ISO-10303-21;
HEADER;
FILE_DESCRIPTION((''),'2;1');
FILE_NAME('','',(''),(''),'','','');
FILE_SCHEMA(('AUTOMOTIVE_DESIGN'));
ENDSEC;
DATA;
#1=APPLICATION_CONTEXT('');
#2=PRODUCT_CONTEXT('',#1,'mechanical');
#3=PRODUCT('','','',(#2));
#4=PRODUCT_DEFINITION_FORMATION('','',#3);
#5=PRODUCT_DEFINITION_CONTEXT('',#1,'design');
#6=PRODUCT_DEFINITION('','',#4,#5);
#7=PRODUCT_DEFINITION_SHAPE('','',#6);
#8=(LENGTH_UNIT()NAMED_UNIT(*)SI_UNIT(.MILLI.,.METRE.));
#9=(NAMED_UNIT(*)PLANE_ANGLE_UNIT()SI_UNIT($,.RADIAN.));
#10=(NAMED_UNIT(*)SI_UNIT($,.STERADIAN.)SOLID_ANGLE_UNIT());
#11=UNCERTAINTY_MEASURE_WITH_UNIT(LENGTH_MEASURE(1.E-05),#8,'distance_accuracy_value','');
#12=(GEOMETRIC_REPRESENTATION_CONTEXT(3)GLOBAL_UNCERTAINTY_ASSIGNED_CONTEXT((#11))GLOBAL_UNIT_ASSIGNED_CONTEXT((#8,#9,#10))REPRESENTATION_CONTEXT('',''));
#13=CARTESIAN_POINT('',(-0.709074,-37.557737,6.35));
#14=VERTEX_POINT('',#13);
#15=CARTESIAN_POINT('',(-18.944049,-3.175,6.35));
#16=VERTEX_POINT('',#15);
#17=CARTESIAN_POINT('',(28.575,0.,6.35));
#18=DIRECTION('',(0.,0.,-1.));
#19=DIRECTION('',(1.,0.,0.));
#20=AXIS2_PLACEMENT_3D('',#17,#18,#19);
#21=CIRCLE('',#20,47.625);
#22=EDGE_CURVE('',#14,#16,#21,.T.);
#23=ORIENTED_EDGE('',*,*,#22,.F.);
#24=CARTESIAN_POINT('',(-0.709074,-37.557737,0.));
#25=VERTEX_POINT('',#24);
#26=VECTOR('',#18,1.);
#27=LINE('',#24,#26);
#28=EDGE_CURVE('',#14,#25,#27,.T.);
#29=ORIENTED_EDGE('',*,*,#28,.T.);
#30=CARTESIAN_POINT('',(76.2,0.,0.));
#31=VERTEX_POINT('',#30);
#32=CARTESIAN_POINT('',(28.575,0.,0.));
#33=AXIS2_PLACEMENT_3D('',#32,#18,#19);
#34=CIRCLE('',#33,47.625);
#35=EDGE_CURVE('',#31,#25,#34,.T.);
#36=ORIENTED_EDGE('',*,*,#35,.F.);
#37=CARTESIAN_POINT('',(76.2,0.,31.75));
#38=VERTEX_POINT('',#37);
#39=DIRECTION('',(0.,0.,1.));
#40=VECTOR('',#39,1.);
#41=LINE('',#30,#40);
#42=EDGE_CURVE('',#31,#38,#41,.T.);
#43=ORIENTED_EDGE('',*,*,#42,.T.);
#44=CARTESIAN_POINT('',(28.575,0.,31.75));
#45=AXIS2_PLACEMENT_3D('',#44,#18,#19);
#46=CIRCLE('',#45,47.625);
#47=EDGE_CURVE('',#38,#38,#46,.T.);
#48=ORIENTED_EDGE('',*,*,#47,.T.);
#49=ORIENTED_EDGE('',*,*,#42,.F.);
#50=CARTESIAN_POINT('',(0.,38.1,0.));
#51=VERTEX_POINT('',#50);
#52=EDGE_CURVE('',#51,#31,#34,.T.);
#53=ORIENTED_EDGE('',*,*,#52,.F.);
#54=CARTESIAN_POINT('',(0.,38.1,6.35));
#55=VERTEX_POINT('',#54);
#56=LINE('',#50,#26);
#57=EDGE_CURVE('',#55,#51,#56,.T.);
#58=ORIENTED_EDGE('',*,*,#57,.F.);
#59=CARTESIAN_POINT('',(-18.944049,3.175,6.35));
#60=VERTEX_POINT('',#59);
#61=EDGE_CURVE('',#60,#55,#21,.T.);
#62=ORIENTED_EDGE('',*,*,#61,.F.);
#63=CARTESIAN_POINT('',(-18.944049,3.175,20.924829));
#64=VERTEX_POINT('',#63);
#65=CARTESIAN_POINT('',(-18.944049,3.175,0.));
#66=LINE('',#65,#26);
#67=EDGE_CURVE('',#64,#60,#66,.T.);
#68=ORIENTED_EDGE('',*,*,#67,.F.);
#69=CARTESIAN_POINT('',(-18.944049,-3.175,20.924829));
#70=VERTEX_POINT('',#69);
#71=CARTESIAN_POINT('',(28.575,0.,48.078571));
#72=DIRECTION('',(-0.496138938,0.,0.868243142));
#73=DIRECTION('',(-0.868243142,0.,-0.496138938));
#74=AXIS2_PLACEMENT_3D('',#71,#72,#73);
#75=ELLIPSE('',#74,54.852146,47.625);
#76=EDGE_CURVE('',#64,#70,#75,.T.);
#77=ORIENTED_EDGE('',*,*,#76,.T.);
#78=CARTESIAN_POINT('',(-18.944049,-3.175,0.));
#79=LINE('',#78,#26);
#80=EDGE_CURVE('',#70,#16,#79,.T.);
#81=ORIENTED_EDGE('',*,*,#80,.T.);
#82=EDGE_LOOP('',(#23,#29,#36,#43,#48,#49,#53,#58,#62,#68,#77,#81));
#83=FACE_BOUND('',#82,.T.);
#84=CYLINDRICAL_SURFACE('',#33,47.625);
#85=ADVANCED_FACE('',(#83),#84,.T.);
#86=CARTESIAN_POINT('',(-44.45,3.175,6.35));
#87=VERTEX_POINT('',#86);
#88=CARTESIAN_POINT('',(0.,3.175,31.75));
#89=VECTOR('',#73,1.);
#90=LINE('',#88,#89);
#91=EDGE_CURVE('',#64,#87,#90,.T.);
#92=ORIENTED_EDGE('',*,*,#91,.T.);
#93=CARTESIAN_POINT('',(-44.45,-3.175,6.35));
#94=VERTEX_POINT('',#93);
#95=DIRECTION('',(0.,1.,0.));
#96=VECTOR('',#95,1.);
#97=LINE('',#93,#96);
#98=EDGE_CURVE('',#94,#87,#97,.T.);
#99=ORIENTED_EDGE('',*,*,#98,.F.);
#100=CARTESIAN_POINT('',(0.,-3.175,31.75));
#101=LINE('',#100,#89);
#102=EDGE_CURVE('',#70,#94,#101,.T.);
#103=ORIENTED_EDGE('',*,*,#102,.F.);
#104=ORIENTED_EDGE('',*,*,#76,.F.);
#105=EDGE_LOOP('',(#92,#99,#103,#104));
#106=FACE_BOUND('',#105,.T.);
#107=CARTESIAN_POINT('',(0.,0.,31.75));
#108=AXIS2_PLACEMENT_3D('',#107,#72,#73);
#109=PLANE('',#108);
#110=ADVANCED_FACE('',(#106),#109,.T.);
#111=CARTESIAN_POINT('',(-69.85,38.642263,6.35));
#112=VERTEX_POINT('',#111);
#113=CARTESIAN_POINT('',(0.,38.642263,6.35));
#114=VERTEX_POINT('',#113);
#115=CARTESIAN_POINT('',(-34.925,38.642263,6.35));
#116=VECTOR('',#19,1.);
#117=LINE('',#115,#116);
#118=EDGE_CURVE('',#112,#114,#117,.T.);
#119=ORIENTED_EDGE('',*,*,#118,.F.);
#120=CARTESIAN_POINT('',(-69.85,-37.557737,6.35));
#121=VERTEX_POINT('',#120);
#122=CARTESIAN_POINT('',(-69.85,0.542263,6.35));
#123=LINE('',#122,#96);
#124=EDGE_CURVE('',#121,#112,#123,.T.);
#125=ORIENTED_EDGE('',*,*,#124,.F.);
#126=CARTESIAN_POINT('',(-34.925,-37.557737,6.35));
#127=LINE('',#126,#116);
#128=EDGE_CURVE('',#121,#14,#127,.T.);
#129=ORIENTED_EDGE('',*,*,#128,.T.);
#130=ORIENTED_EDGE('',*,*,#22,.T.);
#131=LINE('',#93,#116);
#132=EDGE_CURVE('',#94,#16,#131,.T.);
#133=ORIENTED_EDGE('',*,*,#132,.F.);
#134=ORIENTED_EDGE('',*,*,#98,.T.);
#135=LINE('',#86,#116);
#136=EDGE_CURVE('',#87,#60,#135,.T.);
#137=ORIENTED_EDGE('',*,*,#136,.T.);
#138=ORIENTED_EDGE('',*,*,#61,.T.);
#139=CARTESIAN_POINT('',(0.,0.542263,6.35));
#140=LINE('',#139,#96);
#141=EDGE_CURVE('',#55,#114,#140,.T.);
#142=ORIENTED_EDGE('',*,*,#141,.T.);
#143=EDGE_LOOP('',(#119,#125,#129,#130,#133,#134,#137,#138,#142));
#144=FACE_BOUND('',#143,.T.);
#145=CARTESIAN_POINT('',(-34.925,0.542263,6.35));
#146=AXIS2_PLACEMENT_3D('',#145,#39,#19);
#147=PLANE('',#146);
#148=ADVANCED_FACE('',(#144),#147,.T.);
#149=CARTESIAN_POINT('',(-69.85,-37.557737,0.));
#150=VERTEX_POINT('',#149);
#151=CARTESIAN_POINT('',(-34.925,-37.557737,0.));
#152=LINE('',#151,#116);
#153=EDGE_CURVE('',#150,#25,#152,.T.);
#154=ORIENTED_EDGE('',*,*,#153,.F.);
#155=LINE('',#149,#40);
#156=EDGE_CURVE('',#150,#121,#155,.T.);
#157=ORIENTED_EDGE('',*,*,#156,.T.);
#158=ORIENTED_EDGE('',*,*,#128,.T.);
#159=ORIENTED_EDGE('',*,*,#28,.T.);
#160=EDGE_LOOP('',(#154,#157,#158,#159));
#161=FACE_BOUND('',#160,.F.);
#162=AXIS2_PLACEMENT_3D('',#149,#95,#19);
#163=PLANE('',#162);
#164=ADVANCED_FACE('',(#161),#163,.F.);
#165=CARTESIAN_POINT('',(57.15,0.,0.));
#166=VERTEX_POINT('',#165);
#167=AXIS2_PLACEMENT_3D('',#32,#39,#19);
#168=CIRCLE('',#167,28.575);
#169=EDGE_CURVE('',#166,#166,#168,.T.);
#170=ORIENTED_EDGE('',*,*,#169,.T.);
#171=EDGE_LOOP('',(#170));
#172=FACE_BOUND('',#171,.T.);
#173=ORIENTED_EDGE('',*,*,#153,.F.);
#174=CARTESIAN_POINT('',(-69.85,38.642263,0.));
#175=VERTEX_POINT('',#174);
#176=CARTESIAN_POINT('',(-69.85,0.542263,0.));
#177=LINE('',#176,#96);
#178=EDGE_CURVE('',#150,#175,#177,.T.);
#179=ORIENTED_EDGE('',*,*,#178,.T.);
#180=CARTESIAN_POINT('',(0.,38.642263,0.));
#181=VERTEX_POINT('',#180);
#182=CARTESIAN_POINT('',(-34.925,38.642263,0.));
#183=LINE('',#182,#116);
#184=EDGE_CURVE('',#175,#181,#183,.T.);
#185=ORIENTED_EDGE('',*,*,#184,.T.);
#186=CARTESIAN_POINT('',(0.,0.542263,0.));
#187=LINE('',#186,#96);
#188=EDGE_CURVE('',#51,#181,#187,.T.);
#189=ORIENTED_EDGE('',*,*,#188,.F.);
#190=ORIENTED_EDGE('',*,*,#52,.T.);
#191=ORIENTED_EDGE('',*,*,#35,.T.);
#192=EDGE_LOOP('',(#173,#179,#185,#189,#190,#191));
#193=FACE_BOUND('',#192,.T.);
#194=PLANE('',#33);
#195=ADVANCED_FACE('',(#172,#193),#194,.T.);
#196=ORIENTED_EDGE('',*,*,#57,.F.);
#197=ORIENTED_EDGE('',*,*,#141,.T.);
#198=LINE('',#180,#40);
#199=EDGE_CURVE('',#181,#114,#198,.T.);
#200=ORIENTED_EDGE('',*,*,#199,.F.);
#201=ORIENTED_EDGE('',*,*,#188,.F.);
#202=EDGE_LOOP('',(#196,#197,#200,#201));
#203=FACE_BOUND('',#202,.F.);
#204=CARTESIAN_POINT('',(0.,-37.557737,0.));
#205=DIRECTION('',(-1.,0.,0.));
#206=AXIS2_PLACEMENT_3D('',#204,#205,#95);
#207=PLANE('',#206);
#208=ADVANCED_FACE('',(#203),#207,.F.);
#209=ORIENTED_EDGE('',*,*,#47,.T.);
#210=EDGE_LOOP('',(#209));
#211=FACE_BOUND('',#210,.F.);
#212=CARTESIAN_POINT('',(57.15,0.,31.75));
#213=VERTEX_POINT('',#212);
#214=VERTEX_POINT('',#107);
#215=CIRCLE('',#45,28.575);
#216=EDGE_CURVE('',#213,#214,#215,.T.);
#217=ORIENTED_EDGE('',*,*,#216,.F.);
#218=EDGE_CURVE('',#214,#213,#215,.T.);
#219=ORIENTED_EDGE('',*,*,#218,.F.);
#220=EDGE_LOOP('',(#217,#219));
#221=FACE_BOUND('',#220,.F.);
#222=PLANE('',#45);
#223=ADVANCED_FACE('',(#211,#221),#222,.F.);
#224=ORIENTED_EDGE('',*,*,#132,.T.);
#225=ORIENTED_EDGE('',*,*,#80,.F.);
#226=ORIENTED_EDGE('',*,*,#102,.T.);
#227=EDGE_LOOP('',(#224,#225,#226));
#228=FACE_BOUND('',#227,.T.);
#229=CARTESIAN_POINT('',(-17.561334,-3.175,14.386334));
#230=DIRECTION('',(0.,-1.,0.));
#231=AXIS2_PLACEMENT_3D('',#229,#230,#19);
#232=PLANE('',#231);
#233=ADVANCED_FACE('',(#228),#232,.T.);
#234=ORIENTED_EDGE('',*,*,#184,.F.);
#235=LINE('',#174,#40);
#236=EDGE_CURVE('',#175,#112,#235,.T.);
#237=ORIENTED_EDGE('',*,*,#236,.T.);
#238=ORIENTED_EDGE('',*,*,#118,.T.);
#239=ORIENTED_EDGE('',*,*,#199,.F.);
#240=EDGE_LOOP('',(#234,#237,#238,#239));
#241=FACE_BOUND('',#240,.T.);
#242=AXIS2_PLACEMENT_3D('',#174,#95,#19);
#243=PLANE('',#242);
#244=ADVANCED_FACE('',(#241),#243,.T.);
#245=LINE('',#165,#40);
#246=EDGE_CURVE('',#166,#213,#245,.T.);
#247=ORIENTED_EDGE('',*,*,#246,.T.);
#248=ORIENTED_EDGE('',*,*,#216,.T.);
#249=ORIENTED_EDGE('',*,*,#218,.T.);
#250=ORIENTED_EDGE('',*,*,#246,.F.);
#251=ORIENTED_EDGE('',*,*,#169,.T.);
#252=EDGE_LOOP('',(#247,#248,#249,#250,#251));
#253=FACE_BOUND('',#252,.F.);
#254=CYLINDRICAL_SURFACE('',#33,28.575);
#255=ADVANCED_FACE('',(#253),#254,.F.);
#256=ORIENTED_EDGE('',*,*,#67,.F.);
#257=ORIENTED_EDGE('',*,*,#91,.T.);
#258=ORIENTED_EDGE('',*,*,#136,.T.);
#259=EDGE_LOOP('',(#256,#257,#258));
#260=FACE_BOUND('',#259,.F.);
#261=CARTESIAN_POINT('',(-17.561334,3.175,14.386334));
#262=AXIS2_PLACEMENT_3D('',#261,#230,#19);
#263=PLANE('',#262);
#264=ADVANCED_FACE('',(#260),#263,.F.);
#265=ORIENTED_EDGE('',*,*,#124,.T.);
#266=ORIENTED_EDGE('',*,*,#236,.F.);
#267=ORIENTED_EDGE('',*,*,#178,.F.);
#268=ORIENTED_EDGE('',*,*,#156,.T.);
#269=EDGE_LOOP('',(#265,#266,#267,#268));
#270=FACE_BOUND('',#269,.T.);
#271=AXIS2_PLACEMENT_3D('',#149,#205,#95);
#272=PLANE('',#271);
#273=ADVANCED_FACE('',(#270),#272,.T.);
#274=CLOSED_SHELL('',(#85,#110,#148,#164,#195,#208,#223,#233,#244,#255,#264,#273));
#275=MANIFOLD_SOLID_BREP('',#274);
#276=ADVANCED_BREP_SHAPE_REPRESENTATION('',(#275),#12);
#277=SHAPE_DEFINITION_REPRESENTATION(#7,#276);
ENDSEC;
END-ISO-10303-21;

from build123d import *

# Parameters (mm, degrees)
F0_W     = 69.85
F0_H     = 76.2
F1_DEPTH = 6.35
F3_DEPTH = 3.175
F4_R     = 47.625
F4_R_2   = 28.575
F5_DEPTH = 31.75


with BuildPart() as f1:
    # F0 (on Top) → F1 (new body)
    with BuildSketch(Plane.XY):
        with Locations((-34.925, 0.542263)):
            Rectangle(F0_W, F0_H)
    extrude(amount=F1_DEPTH)

    # F2 (on Front) → F3 (join, symmetric)
    with BuildSketch(Plane.XZ):
        Polygon((-44.45, 6.35), (0, 6.35), (0, 31.75), align=None)
    extrude(amount=F3_DEPTH, both=True)

    # F4 (on face) → F5 (join)
    with BuildSketch(Plane(origin=(0, 0, 0), x_dir=(1, 0, 0), z_dir=(0, 0, -1))):
        with Locations((28.575, 0)):
            Circle(F4_R)
        with Locations((28.575, 0)):
            Circle(F4_R_2, mode=Mode.SUBTRACT)
    extrude(amount=-F5_DEPTH)


solid = f1.part
